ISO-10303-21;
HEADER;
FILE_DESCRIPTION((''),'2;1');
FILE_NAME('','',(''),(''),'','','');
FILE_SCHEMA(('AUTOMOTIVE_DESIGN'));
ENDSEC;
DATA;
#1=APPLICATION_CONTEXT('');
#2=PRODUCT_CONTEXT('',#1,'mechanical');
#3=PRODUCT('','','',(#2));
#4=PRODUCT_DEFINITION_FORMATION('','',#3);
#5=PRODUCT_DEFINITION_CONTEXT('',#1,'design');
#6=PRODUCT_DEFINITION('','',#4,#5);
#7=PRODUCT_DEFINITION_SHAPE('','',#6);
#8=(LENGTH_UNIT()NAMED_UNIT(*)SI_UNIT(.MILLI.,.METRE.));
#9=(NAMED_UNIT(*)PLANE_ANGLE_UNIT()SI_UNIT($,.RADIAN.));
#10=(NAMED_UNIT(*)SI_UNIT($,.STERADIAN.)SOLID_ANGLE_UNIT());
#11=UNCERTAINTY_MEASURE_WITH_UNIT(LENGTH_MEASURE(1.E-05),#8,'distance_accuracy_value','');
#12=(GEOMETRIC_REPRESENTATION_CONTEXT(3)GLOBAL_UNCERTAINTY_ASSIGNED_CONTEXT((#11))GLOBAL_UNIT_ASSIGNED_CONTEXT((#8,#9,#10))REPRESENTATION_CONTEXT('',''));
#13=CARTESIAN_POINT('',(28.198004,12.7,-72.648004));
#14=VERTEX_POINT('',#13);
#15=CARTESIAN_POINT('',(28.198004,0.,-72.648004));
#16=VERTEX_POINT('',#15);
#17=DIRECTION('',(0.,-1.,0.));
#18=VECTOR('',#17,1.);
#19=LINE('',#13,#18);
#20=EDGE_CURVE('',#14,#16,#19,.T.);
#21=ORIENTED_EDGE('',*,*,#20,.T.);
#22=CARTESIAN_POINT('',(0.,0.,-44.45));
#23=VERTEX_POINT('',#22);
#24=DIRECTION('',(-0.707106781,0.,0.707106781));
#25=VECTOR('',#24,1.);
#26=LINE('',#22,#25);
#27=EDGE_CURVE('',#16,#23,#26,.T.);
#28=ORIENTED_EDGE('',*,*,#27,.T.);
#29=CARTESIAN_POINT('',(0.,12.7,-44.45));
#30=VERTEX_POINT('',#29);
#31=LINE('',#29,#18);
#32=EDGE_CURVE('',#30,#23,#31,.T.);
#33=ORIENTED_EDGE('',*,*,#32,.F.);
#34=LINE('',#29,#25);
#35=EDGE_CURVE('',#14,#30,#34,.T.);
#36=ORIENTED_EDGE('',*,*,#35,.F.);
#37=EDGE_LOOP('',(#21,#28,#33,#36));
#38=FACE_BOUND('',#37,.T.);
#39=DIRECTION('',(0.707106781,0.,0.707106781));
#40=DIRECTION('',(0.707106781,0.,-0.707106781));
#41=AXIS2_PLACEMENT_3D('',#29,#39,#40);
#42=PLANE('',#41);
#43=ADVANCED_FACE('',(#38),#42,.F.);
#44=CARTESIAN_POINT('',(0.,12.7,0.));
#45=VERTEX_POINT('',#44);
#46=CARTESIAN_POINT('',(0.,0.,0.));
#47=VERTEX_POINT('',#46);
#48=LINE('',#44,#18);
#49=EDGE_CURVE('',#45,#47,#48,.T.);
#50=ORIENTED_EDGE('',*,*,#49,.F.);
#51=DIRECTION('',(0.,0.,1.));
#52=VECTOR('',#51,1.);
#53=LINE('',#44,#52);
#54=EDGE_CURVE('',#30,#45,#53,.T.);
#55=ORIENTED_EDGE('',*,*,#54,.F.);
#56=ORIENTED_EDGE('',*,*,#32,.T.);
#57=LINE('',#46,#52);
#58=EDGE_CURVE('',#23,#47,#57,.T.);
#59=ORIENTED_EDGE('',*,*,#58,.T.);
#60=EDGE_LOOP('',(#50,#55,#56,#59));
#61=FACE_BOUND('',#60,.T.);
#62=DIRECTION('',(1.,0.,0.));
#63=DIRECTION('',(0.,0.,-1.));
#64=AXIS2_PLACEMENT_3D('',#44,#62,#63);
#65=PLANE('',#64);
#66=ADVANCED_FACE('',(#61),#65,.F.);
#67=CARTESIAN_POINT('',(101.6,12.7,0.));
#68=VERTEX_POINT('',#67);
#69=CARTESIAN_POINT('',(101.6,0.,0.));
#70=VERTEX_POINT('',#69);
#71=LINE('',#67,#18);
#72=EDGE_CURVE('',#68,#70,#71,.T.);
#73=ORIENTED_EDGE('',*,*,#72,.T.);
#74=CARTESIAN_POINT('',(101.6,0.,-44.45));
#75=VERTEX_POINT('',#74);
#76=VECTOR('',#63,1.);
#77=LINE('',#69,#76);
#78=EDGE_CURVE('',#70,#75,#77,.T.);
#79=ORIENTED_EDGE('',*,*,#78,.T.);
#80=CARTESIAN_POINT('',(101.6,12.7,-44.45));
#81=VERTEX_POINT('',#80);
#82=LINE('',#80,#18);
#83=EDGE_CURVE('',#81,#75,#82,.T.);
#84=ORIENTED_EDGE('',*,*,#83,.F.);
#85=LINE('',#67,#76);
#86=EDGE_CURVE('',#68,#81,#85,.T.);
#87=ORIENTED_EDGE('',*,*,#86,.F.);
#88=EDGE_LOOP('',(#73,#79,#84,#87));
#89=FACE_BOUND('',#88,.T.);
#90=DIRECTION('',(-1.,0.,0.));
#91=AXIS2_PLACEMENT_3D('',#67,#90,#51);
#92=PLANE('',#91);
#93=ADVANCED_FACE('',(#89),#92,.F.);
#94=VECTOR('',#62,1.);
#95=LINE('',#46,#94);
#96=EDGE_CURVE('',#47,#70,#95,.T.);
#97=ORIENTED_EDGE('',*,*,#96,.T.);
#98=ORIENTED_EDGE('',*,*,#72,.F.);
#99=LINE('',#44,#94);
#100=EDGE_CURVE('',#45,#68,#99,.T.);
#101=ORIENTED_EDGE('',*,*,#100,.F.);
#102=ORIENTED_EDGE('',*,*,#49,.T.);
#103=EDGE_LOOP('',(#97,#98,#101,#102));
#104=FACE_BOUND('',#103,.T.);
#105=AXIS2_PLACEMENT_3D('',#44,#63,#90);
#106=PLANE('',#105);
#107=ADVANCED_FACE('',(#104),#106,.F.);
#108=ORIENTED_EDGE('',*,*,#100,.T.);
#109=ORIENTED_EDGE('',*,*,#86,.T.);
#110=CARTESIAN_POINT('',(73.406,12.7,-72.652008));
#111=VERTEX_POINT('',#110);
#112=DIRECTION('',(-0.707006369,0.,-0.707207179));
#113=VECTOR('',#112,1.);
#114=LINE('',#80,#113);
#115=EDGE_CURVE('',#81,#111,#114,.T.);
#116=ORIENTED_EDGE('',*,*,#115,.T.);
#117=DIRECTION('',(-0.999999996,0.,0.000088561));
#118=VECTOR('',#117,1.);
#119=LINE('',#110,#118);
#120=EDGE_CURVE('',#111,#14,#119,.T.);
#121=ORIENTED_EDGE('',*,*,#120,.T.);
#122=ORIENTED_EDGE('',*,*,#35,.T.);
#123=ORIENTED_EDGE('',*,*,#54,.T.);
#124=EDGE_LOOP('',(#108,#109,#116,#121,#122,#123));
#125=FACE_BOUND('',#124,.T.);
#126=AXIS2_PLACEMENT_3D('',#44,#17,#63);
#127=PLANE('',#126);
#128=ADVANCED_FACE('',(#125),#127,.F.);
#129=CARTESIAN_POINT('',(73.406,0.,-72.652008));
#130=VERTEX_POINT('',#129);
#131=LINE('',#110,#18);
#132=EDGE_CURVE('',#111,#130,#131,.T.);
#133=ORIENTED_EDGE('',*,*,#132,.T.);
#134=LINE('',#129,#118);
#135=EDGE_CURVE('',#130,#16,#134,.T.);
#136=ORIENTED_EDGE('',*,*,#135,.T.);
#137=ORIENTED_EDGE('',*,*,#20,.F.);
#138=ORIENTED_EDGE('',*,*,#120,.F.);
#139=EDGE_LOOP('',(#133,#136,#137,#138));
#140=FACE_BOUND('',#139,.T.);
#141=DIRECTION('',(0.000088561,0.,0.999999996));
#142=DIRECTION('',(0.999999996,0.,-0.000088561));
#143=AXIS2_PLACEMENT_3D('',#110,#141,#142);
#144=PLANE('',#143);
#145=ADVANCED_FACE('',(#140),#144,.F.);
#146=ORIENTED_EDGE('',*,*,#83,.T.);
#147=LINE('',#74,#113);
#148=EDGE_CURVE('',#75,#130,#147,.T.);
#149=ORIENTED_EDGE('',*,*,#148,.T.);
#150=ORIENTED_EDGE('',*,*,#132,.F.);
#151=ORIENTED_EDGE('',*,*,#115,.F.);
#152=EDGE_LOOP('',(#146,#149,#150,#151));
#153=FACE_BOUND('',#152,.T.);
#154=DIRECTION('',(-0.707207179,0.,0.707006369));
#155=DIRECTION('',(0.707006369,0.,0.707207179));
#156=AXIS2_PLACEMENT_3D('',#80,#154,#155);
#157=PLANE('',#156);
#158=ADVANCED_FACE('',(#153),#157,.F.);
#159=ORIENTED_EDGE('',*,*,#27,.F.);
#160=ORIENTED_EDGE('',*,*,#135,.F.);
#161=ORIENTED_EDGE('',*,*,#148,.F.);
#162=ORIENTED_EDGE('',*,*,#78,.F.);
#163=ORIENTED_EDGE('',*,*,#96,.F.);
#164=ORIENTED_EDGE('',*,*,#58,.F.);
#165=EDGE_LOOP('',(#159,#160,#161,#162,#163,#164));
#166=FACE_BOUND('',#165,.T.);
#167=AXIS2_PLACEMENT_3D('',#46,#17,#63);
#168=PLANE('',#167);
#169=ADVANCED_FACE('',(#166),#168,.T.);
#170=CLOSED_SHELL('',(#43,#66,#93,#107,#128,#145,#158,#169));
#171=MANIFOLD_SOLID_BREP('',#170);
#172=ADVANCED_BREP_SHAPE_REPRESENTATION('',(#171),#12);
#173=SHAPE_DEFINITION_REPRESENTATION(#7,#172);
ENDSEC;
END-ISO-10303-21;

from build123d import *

# Parameters (mm, degrees)
BOSS_EXTRUDE1_DEPTH = 12.7


with BuildPart() as part:
    # Sketch1 → Boss-Extrude1 (new body)
    with BuildSketch(Plane(origin=(0, 0, 0), x_dir=(1, 0, 0), z_dir=(0, 1, 0))):
        Polygon((0, 0), (101.6, 0), (101.6, 44.45), (73.406, 72.652007872), (28.19800422, 72.64800422), (0, 44.45), align=None)
    extrude(amount=BOSS_EXTRUDE1_DEPTH)


solid = part.part
